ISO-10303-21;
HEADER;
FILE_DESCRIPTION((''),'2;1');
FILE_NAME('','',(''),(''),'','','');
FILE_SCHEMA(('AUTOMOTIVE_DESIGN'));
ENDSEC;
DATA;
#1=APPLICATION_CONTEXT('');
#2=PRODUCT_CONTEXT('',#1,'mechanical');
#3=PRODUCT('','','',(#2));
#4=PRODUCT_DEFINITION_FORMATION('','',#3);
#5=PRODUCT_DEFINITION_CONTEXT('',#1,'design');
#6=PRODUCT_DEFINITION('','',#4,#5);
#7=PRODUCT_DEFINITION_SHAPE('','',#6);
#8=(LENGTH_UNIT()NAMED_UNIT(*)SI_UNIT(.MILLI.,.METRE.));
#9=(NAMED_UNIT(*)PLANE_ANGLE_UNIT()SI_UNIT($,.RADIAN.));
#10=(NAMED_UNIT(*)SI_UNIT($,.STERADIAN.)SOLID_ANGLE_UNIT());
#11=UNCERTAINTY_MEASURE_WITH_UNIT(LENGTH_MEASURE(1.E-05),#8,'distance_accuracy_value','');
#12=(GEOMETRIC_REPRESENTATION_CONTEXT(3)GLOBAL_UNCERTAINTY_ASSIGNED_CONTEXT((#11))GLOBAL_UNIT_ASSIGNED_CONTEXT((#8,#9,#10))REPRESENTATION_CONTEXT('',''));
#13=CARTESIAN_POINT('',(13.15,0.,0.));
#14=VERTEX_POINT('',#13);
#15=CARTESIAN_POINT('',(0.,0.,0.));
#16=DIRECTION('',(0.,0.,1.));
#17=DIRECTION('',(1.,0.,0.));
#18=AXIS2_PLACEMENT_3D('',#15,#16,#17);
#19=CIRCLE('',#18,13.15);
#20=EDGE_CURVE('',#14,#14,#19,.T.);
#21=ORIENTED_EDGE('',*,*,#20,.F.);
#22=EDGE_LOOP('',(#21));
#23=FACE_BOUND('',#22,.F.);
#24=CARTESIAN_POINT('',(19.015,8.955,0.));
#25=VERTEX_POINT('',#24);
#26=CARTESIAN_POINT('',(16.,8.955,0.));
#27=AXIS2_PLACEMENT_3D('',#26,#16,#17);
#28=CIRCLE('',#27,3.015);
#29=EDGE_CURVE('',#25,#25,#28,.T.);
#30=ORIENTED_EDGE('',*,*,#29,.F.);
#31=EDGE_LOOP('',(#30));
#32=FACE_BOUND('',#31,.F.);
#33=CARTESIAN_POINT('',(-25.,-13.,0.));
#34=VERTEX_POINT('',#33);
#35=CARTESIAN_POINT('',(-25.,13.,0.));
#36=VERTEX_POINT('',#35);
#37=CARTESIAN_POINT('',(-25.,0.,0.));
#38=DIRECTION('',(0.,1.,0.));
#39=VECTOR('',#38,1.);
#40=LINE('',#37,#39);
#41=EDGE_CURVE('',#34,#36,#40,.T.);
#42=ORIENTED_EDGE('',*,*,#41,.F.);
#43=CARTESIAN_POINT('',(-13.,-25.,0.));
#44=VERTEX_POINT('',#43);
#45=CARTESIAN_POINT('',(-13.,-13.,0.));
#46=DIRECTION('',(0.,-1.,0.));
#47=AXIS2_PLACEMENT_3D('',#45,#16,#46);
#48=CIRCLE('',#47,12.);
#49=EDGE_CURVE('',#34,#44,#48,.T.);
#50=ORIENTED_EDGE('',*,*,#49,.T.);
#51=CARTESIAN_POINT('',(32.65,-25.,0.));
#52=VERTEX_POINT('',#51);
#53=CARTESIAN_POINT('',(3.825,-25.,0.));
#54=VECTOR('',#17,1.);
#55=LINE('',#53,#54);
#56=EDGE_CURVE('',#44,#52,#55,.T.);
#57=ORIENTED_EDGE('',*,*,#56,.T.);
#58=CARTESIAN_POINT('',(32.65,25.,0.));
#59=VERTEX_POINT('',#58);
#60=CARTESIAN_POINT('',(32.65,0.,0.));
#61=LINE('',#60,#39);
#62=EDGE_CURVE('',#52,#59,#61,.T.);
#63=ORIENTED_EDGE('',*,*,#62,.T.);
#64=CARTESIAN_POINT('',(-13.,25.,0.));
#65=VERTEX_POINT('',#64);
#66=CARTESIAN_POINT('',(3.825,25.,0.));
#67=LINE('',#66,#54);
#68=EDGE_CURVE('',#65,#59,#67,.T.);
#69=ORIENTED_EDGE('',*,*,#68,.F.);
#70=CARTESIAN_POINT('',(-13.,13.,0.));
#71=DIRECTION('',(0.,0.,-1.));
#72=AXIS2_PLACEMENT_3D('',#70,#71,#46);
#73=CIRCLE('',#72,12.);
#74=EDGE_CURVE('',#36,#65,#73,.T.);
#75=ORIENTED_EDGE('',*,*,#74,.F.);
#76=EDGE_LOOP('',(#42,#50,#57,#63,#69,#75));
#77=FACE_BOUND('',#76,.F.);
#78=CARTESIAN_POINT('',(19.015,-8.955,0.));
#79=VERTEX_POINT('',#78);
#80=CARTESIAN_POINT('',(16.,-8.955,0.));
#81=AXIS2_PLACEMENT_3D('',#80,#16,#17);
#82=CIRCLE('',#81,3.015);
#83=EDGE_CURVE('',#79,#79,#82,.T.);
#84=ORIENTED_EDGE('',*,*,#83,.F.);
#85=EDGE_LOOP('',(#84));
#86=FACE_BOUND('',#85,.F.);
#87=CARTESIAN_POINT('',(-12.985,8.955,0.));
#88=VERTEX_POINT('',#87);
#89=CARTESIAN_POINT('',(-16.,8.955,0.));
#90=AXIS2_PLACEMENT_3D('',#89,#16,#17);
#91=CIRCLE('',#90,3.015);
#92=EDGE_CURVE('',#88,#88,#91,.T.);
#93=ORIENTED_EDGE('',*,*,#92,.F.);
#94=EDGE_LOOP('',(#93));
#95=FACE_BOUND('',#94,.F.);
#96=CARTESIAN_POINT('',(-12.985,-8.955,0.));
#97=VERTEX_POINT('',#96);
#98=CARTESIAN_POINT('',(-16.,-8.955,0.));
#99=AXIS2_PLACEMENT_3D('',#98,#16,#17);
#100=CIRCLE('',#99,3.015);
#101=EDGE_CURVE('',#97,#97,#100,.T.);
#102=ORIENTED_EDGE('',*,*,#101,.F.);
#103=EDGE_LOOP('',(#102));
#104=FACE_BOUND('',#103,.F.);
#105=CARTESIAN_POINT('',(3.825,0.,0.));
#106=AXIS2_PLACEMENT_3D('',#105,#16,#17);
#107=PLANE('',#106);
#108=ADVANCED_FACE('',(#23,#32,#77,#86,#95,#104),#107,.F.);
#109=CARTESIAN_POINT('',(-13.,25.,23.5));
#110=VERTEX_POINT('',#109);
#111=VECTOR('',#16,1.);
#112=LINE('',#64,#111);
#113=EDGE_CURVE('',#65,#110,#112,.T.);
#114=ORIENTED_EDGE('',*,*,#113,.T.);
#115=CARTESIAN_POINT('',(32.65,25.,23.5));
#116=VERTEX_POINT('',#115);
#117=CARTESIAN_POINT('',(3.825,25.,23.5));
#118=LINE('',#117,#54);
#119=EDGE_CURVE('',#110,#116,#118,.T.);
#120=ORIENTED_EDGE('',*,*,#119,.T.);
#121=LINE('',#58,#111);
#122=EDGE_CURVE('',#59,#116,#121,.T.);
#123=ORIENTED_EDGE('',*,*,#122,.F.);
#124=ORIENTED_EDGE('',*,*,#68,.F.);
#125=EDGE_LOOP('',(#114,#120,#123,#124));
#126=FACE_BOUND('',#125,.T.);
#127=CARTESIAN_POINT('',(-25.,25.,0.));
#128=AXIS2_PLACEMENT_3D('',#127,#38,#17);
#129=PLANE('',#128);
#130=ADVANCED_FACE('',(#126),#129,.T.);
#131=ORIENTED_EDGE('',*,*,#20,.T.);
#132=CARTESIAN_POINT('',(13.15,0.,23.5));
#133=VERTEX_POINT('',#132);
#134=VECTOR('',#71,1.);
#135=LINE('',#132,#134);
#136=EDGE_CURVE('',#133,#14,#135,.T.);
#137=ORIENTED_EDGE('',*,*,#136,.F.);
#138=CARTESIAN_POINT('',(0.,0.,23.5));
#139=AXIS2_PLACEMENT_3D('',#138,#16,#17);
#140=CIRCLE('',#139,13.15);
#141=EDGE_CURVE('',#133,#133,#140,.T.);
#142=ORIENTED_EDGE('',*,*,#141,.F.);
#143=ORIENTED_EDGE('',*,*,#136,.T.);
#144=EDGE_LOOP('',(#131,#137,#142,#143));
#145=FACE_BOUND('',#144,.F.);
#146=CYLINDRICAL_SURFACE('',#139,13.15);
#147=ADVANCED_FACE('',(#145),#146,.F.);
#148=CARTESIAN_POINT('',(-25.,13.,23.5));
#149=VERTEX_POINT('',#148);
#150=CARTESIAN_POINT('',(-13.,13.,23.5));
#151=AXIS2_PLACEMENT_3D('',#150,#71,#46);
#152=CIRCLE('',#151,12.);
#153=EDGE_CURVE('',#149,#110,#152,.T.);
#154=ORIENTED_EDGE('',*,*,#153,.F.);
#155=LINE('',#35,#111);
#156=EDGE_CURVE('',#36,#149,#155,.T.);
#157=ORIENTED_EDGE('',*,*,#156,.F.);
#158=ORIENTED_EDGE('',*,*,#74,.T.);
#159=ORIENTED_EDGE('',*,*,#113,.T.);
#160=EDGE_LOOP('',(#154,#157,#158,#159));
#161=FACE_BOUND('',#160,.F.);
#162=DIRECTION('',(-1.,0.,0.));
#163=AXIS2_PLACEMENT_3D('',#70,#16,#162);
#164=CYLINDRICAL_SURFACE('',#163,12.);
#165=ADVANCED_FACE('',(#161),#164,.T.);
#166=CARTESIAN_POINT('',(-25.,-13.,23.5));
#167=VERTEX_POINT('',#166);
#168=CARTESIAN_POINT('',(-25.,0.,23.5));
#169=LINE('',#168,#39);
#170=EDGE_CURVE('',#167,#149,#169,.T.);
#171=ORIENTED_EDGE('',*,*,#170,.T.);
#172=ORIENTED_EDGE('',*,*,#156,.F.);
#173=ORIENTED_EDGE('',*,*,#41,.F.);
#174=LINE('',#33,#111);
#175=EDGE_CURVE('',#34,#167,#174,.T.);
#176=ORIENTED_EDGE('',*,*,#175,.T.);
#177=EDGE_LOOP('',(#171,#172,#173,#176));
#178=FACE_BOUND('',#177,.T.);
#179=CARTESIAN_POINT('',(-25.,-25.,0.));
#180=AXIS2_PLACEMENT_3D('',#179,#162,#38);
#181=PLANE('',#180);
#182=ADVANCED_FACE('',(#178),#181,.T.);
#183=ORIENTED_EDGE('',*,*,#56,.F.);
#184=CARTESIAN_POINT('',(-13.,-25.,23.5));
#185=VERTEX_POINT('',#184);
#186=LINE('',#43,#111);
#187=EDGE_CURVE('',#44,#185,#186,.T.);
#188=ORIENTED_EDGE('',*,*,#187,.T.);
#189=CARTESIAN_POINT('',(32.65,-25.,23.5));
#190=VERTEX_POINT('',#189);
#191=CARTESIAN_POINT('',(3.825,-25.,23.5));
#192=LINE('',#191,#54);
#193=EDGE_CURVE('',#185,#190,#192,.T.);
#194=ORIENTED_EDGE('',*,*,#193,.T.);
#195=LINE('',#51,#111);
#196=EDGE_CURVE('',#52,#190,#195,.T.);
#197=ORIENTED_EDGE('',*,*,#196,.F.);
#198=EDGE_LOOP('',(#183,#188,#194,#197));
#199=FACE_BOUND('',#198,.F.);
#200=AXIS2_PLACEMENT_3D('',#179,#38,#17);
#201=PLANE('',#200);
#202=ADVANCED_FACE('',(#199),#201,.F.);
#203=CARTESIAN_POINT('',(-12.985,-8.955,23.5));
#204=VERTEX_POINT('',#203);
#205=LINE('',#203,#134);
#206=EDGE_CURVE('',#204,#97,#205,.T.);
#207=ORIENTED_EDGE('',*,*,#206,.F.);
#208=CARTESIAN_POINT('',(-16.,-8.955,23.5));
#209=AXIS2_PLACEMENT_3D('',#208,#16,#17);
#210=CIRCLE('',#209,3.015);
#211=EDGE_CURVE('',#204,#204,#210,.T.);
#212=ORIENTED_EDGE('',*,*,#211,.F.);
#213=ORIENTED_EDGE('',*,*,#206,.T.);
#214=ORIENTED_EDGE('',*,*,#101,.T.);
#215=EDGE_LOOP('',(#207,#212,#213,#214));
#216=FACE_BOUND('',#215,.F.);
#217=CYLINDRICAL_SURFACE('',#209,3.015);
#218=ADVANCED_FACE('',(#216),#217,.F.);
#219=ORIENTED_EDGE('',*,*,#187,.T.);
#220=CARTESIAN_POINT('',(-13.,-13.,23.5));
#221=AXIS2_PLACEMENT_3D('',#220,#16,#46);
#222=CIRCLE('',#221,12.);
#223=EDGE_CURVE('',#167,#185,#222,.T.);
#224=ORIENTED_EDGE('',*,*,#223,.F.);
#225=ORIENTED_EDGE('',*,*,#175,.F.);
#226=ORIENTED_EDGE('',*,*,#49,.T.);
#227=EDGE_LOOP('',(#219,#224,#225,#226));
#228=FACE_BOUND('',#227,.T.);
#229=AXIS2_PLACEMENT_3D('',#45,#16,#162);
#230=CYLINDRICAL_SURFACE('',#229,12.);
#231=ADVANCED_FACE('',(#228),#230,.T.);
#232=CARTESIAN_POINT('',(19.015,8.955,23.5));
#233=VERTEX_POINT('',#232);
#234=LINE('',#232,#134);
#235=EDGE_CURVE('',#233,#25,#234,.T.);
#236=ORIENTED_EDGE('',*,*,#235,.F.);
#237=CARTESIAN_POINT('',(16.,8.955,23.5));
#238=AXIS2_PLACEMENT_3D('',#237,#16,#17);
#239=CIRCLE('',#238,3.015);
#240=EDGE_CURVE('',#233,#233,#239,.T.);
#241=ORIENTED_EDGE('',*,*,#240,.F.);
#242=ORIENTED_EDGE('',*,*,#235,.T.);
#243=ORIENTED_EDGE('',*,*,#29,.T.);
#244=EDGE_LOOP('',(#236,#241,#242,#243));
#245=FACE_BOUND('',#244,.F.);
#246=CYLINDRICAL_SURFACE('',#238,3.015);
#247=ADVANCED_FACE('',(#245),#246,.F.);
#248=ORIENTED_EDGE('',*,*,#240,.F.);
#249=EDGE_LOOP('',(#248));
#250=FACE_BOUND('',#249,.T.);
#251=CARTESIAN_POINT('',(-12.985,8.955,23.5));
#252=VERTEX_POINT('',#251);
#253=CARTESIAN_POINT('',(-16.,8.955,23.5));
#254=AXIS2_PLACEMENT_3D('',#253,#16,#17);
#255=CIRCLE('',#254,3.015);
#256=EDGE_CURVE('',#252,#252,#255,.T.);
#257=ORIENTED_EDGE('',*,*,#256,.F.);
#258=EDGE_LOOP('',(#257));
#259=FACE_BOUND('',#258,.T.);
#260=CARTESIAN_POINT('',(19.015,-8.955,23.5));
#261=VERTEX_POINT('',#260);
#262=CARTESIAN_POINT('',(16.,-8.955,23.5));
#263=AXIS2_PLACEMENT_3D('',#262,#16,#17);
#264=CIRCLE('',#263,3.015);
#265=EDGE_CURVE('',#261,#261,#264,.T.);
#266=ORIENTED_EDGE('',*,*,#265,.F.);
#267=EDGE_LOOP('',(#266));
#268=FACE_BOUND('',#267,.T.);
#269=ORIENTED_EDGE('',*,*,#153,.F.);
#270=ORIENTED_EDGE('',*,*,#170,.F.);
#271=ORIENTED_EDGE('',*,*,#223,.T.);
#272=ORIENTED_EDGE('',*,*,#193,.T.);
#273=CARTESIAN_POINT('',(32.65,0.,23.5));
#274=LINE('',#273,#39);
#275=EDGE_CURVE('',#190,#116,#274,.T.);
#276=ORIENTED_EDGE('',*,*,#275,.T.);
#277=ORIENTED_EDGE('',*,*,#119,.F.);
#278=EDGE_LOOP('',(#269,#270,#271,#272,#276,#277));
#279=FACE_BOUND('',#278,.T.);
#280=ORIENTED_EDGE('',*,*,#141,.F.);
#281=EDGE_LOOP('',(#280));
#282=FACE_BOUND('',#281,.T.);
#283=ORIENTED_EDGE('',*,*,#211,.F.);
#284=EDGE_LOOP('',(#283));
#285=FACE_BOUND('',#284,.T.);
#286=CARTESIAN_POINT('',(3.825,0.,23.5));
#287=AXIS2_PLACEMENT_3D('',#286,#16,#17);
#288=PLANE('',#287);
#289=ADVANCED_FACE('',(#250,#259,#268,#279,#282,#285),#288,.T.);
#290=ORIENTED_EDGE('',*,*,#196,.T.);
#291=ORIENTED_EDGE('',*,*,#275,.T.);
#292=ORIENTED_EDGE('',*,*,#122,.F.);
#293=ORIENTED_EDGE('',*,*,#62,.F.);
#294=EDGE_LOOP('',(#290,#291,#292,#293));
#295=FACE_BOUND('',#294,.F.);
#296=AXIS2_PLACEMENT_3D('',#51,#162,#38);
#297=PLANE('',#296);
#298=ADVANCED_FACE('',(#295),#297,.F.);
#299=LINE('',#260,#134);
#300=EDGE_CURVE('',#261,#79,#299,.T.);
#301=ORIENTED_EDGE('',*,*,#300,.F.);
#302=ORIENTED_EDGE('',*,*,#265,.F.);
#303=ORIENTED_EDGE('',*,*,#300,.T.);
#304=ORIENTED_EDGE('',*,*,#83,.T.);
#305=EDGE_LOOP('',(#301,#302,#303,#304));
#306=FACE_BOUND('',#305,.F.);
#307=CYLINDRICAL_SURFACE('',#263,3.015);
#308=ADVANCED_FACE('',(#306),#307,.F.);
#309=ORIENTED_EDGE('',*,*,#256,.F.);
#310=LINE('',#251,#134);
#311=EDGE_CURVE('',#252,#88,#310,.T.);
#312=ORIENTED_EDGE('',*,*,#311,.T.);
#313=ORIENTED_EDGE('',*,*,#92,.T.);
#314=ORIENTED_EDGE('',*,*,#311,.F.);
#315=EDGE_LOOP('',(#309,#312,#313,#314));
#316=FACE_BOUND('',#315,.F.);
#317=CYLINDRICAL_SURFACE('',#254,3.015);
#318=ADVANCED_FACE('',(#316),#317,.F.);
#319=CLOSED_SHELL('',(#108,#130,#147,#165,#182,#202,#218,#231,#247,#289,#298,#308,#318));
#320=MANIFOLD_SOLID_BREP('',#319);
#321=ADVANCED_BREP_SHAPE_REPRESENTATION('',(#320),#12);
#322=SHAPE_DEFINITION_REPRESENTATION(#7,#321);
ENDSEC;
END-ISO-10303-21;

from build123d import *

# Parameters (mm, degrees)
SKETCH008_W  = 57.65
SKETCH008_H  = 50
PAD_DEPTH    = 23.5
SKETCH_R     = 13.15
HOLE_DEPTH   = 23.6
SKETCH009_R  = 3.015
POCKET_DEPTH = 23.501
FILLET_R     = 12


with BuildPart() as part:
    # Sketch008 → Pad (new body)
    with BuildSketch(Plane.XY):
        with Locations((3.825, 0)):
            Rectangle(SKETCH008_W, SKETCH008_H)
    extrude(amount=PAD_DEPTH)

    # Sketch (on Face6 of Pad) → Hole (cut)
    with BuildSketch(Plane.XY.offset(23.5)):
        Circle(SKETCH_R)
    extrude(amount=-HOLE_DEPTH, mode=Mode.SUBTRACT)

    # Sketch009 (on Face5 of Hole) → Pocket (cut, through all)
    with BuildSketch(Plane.XY.offset(23.5)):
        with Locations((-16, 8.955)):
            Circle(SKETCH009_R)
        with Locations((-16, -8.955)):
            Circle(SKETCH009_R)
        with Locations((16, 8.955)):
            Circle(SKETCH009_R)
        with Locations((16, -8.955)):
            Circle(SKETCH009_R)
    extrude(amount=-POCKET_DEPTH, mode=Mode.SUBTRACT)

    # Fillet
    fillet_edges = [part.edges().sort_by_distance(p)[0] for p in [
        (-25, 25, 11.75),
        (-25, -25, 11.75),
    ]]
    fillet(fillet_edges, radius=FILLET_R)


solid = part.part
